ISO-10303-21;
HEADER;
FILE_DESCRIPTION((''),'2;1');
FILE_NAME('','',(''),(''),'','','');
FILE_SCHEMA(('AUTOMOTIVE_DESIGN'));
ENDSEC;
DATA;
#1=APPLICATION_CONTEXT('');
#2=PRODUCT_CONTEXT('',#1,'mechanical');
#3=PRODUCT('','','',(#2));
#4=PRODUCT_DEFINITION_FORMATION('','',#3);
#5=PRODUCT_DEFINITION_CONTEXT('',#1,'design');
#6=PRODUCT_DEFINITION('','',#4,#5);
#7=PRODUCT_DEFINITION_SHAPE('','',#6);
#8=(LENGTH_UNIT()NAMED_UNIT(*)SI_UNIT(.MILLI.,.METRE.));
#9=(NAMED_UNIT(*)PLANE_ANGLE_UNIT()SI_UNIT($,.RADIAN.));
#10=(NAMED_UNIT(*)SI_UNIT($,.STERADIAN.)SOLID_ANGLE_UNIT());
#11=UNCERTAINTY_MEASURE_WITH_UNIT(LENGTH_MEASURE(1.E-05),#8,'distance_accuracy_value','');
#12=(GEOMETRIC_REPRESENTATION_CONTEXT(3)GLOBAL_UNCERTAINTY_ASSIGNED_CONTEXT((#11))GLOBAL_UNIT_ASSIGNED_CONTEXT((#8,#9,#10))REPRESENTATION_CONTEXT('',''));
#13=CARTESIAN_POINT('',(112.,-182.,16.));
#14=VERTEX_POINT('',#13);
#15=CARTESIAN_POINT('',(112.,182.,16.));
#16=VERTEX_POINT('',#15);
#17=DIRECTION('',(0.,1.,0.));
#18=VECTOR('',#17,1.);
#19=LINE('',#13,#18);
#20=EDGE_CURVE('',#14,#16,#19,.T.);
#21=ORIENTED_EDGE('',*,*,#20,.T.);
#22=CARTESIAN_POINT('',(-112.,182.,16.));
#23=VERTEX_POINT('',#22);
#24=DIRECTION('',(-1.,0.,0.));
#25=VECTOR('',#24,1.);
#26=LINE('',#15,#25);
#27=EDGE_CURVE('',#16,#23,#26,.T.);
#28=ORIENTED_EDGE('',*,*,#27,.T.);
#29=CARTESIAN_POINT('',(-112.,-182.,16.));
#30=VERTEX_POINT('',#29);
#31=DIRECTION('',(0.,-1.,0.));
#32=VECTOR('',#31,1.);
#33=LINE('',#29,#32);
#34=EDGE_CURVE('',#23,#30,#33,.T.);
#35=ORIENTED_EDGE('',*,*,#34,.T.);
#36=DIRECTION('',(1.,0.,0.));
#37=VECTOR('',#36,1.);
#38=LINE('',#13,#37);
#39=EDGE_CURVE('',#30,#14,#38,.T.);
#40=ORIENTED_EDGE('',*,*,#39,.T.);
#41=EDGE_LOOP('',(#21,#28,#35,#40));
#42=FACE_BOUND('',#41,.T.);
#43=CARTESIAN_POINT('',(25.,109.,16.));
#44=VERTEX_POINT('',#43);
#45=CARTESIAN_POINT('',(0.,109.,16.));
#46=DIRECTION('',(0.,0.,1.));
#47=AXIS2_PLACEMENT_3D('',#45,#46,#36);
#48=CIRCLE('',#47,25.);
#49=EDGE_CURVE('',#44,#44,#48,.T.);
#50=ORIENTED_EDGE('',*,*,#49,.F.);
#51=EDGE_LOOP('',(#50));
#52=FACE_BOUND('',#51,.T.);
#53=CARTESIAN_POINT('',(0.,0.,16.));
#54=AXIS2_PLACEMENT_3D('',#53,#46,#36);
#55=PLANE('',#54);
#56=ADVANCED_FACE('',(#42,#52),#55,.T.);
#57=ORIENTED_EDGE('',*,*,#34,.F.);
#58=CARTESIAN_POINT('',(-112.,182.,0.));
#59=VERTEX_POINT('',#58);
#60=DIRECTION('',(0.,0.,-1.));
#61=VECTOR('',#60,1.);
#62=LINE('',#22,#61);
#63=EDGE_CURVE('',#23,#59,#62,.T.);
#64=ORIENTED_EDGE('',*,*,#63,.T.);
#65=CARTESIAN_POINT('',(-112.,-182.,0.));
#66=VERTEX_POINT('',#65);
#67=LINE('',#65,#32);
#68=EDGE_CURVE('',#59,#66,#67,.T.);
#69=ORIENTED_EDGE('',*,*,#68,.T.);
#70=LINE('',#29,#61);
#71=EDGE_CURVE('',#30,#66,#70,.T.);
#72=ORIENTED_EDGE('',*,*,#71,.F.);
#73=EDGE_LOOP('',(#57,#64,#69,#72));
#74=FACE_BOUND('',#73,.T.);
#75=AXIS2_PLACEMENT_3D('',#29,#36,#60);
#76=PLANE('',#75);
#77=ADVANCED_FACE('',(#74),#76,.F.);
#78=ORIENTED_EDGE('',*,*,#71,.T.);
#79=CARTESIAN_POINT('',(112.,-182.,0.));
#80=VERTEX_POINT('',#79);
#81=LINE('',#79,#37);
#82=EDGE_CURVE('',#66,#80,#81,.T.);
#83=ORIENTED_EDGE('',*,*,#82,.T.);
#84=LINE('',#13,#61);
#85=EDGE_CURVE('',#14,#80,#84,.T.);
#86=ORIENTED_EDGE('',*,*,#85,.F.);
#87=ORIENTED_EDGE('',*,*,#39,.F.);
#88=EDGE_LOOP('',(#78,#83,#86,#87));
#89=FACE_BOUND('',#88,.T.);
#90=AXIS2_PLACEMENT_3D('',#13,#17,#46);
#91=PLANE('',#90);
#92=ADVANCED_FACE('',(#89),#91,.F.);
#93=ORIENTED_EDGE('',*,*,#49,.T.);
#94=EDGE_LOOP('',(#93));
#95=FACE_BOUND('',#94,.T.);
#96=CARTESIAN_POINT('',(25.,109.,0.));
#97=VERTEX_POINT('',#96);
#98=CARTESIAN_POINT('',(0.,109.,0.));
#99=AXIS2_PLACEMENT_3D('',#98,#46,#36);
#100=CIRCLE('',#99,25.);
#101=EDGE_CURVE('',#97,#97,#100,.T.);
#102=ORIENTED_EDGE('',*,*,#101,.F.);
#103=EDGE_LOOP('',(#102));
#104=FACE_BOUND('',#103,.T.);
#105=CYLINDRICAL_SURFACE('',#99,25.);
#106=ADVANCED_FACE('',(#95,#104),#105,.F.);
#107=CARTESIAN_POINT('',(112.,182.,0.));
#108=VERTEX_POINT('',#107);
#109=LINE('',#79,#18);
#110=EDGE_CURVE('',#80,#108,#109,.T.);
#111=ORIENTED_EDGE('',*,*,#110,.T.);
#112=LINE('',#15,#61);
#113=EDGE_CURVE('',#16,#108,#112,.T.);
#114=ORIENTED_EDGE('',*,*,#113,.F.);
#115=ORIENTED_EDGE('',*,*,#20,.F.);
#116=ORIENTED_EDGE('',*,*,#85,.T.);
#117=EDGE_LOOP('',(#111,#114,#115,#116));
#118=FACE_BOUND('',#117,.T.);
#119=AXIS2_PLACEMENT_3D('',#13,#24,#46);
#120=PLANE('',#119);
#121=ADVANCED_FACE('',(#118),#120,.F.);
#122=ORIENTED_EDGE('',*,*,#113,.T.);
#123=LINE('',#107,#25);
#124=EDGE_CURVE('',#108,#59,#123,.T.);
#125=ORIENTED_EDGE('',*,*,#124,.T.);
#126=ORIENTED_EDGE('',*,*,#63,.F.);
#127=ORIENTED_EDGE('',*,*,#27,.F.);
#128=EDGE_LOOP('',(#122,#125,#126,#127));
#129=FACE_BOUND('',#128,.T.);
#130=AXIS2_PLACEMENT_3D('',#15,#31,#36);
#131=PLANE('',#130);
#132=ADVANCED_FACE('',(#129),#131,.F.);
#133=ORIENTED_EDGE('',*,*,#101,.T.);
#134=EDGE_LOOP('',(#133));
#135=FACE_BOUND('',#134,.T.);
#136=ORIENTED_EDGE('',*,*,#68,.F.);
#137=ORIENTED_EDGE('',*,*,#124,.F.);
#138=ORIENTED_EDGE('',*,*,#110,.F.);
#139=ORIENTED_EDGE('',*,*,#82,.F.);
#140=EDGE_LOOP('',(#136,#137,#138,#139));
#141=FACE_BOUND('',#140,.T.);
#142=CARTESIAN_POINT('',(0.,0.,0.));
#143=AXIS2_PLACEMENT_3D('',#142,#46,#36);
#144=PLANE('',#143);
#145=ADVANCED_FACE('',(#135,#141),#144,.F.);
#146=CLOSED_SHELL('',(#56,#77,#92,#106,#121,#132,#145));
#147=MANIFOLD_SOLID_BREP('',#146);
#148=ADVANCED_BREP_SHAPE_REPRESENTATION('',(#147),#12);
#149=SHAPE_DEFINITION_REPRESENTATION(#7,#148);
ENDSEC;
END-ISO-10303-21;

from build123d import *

# Parameters (mm, degrees)
SKETCH1_W           = 224
SKETCH1_H           = 364
BOSS_EXTRUDE1_DEPTH = 16
SKETCH2_R           = 25
CUT_EXTRUDE1_DEPTH  = 17


with BuildPart() as part:
    # Sketch1 → Boss-Extrude1 (new body)
    with BuildSketch(Plane.XY):
        Rectangle(SKETCH1_W, SKETCH1_H)
    extrude(amount=BOSS_EXTRUDE1_DEPTH)

    # Sketch2 → Cut-Extrude1 (cut, through all)
    with BuildSketch(Plane.XY.offset(16)):
        with Locations((0, 109)):
            Circle(SKETCH2_R)
    extrude(amount=-CUT_EXTRUDE1_DEPTH, mode=Mode.SUBTRACT)


solid = part.part
